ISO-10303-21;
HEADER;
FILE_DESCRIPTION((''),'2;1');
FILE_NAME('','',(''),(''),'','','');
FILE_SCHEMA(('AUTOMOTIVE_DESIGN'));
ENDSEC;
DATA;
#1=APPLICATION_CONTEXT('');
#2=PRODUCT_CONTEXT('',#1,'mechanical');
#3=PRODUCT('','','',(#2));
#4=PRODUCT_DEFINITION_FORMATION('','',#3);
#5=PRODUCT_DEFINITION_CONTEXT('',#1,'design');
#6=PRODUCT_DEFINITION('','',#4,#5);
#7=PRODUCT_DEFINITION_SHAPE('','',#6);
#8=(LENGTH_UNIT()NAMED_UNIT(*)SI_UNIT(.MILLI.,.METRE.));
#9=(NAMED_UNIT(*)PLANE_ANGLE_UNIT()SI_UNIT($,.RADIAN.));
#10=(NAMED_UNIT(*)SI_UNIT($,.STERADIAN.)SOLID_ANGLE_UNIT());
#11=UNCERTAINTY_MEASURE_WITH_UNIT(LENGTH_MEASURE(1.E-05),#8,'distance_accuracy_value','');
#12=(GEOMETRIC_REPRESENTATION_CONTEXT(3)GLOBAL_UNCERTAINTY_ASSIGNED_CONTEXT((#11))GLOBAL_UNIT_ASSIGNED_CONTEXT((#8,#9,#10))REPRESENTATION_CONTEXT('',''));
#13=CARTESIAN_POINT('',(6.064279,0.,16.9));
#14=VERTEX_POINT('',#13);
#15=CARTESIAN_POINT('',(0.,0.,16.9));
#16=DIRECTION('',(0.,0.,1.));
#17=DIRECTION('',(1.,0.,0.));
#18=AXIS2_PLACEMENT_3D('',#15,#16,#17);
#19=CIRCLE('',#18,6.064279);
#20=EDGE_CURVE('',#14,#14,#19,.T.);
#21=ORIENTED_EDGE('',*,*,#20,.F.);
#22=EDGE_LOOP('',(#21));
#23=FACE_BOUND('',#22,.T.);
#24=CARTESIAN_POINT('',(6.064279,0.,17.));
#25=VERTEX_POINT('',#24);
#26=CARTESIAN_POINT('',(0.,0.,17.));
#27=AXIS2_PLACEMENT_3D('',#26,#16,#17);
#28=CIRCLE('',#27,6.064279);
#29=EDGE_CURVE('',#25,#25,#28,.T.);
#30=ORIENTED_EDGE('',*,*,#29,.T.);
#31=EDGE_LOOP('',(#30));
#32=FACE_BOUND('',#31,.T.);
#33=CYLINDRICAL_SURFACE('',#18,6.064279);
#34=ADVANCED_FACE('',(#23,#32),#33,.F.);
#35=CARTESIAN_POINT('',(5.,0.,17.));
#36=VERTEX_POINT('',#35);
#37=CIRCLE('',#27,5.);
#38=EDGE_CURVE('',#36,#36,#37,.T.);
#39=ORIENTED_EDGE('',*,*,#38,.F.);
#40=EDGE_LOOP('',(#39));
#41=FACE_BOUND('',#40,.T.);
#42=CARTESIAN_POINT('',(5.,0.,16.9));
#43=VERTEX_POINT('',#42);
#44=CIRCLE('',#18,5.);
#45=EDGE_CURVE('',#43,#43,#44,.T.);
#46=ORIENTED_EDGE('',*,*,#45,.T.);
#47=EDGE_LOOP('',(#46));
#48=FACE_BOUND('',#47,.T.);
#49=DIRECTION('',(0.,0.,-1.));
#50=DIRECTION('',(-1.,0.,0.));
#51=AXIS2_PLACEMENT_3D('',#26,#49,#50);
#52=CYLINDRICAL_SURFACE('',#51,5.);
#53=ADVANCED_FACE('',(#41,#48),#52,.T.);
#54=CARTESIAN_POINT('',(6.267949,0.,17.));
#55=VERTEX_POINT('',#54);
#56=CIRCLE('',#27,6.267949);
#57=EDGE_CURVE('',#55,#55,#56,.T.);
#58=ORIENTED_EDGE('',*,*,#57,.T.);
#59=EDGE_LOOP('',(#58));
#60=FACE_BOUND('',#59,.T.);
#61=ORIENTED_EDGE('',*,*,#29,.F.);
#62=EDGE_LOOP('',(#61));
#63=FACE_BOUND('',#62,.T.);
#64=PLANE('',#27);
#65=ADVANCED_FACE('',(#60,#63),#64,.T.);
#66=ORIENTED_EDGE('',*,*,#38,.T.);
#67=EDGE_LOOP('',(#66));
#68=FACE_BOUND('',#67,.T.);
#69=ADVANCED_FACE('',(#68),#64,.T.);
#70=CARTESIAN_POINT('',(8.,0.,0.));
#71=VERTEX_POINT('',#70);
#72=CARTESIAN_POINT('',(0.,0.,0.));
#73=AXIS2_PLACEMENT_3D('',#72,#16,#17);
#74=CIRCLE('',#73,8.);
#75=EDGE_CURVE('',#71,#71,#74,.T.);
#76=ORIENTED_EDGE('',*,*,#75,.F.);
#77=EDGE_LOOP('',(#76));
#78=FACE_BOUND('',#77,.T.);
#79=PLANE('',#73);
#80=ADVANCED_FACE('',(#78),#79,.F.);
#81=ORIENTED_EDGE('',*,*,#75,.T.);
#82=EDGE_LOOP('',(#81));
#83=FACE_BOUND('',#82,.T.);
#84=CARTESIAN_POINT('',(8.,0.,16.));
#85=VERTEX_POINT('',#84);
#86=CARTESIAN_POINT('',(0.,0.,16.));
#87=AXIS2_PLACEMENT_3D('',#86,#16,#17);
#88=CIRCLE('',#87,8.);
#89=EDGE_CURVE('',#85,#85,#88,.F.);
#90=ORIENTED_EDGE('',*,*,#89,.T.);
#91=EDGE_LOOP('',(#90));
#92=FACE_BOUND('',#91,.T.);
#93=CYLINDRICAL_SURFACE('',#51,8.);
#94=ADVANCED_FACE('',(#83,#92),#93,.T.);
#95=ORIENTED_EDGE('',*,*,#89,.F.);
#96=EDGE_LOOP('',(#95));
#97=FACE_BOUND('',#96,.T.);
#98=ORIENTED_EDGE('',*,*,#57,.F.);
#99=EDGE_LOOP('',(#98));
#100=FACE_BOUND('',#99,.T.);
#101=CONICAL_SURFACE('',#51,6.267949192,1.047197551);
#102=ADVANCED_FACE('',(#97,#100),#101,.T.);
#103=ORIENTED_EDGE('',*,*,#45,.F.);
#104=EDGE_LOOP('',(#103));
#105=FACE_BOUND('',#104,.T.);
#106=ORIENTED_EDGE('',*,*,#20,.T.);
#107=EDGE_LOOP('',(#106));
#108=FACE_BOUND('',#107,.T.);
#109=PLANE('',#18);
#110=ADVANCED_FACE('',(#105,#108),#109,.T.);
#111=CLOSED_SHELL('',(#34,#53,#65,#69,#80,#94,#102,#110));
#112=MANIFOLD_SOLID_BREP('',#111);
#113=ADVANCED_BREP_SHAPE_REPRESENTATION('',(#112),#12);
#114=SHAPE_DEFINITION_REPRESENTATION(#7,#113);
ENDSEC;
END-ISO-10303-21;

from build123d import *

# Parameters (mm, degrees)
SKETCH2_R           = 8
BOSS_EXTRUDE1_DEPTH = 17
CHAMFER1_SIZE       = 1
CHAMFER1_SIZE2      = 1.732050808
SKETCH5_R           = 6.064278786
CUT_EXTRUDE1_DEPTH  = 0.1
SKETCH6_R           = 5
BOSS_EXTRUDE4_DEPTH = 0.1


with BuildPart() as part:
    # Sketch2 → Boss-Extrude1 (new body)
    with BuildSketch(Plane.XY):
        Circle(SKETCH2_R)
    extrude(amount=BOSS_EXTRUDE1_DEPTH)

    # Chamfer1
    chamfer1_edges = [part.edges().sort_by_distance(p)[0] for p in [
        (-8, 0, 17),
    ]]
    chamfer1_side = [part.faces().sort_by_distance(p)[0] for p in [
        (-8, 0, 8.5),
    ]]
    chamfer(chamfer1_edges, length=CHAMFER1_SIZE, length2=CHAMFER1_SIZE2, reference=chamfer1_side[0])

    # Sketch5 → Cut-Extrude1 (cut)
    with BuildSketch(Plane.XY.offset(17)):
        Circle(SKETCH5_R)
    extrude(amount=-CUT_EXTRUDE1_DEPTH, mode=Mode.SUBTRACT)

    # Sketch6 → Boss-Extrude4 (add)
    with BuildSketch(Plane.XY.offset(16.9)):
        Circle(SKETCH6_R)
    extrude(amount=BOSS_EXTRUDE4_DEPTH)


solid = part.part
